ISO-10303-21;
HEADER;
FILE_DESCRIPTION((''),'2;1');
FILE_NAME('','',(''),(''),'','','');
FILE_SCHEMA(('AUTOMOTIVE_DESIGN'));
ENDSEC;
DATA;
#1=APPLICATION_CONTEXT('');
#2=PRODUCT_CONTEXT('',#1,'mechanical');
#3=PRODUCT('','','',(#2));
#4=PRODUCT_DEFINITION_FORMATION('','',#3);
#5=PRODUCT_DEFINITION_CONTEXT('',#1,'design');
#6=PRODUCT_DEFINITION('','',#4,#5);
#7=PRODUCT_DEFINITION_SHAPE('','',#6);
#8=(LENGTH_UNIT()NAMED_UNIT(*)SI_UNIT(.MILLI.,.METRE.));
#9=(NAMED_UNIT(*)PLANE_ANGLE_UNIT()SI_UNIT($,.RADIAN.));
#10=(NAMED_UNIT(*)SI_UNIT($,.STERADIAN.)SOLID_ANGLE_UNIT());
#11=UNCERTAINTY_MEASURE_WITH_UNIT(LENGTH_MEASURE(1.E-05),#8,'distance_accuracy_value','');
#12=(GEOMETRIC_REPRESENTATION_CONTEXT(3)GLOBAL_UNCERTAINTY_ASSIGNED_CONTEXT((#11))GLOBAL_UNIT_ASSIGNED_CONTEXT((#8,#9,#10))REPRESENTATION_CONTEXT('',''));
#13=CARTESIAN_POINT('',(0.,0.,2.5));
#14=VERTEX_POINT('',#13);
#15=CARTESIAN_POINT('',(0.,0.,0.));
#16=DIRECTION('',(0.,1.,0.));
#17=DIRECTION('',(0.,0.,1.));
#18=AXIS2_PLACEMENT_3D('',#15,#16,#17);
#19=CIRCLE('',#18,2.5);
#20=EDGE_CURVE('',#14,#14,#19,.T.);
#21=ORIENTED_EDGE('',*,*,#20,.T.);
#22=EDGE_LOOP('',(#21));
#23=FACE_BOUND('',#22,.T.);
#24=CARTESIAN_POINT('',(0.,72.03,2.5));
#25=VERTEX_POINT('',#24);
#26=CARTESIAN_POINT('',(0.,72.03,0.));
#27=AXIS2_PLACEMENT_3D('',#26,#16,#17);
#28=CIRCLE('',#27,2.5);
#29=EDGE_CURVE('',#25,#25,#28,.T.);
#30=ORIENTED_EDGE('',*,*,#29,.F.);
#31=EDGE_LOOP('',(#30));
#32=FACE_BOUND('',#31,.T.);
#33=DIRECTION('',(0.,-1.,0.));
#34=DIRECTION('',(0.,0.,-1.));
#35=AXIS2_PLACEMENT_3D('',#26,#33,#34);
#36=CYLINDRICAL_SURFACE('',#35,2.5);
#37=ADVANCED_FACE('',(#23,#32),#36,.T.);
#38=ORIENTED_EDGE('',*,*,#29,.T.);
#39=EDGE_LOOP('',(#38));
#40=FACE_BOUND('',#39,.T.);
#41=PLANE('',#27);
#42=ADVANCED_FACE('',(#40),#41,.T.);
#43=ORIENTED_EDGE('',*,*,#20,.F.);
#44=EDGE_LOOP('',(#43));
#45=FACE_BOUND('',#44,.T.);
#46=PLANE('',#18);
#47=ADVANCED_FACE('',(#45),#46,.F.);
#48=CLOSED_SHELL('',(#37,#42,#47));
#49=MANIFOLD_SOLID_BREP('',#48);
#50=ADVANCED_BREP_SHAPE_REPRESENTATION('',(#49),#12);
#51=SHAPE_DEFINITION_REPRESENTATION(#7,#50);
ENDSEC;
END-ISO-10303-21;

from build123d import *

# Parameters (mm, degrees)
SZKIC1_R                    = 2.5
DODANIE_WYCI_GNI_CIE1_DEPTH = 72.03


with BuildPart() as part:
    # Szkic1 → Dodanie-wyciągnięcie1 (new body)
    with BuildSketch(Plane(origin=(0, 0, 0), x_dir=(1, 0, 0), z_dir=(0, 1, 0))):
        with Locations(Location((0, 0, 0), (0, 0, 270))):
            Circle(SZKIC1_R)
    extrude(amount=DODANIE_WYCI_GNI_CIE1_DEPTH)


solid = part.part
